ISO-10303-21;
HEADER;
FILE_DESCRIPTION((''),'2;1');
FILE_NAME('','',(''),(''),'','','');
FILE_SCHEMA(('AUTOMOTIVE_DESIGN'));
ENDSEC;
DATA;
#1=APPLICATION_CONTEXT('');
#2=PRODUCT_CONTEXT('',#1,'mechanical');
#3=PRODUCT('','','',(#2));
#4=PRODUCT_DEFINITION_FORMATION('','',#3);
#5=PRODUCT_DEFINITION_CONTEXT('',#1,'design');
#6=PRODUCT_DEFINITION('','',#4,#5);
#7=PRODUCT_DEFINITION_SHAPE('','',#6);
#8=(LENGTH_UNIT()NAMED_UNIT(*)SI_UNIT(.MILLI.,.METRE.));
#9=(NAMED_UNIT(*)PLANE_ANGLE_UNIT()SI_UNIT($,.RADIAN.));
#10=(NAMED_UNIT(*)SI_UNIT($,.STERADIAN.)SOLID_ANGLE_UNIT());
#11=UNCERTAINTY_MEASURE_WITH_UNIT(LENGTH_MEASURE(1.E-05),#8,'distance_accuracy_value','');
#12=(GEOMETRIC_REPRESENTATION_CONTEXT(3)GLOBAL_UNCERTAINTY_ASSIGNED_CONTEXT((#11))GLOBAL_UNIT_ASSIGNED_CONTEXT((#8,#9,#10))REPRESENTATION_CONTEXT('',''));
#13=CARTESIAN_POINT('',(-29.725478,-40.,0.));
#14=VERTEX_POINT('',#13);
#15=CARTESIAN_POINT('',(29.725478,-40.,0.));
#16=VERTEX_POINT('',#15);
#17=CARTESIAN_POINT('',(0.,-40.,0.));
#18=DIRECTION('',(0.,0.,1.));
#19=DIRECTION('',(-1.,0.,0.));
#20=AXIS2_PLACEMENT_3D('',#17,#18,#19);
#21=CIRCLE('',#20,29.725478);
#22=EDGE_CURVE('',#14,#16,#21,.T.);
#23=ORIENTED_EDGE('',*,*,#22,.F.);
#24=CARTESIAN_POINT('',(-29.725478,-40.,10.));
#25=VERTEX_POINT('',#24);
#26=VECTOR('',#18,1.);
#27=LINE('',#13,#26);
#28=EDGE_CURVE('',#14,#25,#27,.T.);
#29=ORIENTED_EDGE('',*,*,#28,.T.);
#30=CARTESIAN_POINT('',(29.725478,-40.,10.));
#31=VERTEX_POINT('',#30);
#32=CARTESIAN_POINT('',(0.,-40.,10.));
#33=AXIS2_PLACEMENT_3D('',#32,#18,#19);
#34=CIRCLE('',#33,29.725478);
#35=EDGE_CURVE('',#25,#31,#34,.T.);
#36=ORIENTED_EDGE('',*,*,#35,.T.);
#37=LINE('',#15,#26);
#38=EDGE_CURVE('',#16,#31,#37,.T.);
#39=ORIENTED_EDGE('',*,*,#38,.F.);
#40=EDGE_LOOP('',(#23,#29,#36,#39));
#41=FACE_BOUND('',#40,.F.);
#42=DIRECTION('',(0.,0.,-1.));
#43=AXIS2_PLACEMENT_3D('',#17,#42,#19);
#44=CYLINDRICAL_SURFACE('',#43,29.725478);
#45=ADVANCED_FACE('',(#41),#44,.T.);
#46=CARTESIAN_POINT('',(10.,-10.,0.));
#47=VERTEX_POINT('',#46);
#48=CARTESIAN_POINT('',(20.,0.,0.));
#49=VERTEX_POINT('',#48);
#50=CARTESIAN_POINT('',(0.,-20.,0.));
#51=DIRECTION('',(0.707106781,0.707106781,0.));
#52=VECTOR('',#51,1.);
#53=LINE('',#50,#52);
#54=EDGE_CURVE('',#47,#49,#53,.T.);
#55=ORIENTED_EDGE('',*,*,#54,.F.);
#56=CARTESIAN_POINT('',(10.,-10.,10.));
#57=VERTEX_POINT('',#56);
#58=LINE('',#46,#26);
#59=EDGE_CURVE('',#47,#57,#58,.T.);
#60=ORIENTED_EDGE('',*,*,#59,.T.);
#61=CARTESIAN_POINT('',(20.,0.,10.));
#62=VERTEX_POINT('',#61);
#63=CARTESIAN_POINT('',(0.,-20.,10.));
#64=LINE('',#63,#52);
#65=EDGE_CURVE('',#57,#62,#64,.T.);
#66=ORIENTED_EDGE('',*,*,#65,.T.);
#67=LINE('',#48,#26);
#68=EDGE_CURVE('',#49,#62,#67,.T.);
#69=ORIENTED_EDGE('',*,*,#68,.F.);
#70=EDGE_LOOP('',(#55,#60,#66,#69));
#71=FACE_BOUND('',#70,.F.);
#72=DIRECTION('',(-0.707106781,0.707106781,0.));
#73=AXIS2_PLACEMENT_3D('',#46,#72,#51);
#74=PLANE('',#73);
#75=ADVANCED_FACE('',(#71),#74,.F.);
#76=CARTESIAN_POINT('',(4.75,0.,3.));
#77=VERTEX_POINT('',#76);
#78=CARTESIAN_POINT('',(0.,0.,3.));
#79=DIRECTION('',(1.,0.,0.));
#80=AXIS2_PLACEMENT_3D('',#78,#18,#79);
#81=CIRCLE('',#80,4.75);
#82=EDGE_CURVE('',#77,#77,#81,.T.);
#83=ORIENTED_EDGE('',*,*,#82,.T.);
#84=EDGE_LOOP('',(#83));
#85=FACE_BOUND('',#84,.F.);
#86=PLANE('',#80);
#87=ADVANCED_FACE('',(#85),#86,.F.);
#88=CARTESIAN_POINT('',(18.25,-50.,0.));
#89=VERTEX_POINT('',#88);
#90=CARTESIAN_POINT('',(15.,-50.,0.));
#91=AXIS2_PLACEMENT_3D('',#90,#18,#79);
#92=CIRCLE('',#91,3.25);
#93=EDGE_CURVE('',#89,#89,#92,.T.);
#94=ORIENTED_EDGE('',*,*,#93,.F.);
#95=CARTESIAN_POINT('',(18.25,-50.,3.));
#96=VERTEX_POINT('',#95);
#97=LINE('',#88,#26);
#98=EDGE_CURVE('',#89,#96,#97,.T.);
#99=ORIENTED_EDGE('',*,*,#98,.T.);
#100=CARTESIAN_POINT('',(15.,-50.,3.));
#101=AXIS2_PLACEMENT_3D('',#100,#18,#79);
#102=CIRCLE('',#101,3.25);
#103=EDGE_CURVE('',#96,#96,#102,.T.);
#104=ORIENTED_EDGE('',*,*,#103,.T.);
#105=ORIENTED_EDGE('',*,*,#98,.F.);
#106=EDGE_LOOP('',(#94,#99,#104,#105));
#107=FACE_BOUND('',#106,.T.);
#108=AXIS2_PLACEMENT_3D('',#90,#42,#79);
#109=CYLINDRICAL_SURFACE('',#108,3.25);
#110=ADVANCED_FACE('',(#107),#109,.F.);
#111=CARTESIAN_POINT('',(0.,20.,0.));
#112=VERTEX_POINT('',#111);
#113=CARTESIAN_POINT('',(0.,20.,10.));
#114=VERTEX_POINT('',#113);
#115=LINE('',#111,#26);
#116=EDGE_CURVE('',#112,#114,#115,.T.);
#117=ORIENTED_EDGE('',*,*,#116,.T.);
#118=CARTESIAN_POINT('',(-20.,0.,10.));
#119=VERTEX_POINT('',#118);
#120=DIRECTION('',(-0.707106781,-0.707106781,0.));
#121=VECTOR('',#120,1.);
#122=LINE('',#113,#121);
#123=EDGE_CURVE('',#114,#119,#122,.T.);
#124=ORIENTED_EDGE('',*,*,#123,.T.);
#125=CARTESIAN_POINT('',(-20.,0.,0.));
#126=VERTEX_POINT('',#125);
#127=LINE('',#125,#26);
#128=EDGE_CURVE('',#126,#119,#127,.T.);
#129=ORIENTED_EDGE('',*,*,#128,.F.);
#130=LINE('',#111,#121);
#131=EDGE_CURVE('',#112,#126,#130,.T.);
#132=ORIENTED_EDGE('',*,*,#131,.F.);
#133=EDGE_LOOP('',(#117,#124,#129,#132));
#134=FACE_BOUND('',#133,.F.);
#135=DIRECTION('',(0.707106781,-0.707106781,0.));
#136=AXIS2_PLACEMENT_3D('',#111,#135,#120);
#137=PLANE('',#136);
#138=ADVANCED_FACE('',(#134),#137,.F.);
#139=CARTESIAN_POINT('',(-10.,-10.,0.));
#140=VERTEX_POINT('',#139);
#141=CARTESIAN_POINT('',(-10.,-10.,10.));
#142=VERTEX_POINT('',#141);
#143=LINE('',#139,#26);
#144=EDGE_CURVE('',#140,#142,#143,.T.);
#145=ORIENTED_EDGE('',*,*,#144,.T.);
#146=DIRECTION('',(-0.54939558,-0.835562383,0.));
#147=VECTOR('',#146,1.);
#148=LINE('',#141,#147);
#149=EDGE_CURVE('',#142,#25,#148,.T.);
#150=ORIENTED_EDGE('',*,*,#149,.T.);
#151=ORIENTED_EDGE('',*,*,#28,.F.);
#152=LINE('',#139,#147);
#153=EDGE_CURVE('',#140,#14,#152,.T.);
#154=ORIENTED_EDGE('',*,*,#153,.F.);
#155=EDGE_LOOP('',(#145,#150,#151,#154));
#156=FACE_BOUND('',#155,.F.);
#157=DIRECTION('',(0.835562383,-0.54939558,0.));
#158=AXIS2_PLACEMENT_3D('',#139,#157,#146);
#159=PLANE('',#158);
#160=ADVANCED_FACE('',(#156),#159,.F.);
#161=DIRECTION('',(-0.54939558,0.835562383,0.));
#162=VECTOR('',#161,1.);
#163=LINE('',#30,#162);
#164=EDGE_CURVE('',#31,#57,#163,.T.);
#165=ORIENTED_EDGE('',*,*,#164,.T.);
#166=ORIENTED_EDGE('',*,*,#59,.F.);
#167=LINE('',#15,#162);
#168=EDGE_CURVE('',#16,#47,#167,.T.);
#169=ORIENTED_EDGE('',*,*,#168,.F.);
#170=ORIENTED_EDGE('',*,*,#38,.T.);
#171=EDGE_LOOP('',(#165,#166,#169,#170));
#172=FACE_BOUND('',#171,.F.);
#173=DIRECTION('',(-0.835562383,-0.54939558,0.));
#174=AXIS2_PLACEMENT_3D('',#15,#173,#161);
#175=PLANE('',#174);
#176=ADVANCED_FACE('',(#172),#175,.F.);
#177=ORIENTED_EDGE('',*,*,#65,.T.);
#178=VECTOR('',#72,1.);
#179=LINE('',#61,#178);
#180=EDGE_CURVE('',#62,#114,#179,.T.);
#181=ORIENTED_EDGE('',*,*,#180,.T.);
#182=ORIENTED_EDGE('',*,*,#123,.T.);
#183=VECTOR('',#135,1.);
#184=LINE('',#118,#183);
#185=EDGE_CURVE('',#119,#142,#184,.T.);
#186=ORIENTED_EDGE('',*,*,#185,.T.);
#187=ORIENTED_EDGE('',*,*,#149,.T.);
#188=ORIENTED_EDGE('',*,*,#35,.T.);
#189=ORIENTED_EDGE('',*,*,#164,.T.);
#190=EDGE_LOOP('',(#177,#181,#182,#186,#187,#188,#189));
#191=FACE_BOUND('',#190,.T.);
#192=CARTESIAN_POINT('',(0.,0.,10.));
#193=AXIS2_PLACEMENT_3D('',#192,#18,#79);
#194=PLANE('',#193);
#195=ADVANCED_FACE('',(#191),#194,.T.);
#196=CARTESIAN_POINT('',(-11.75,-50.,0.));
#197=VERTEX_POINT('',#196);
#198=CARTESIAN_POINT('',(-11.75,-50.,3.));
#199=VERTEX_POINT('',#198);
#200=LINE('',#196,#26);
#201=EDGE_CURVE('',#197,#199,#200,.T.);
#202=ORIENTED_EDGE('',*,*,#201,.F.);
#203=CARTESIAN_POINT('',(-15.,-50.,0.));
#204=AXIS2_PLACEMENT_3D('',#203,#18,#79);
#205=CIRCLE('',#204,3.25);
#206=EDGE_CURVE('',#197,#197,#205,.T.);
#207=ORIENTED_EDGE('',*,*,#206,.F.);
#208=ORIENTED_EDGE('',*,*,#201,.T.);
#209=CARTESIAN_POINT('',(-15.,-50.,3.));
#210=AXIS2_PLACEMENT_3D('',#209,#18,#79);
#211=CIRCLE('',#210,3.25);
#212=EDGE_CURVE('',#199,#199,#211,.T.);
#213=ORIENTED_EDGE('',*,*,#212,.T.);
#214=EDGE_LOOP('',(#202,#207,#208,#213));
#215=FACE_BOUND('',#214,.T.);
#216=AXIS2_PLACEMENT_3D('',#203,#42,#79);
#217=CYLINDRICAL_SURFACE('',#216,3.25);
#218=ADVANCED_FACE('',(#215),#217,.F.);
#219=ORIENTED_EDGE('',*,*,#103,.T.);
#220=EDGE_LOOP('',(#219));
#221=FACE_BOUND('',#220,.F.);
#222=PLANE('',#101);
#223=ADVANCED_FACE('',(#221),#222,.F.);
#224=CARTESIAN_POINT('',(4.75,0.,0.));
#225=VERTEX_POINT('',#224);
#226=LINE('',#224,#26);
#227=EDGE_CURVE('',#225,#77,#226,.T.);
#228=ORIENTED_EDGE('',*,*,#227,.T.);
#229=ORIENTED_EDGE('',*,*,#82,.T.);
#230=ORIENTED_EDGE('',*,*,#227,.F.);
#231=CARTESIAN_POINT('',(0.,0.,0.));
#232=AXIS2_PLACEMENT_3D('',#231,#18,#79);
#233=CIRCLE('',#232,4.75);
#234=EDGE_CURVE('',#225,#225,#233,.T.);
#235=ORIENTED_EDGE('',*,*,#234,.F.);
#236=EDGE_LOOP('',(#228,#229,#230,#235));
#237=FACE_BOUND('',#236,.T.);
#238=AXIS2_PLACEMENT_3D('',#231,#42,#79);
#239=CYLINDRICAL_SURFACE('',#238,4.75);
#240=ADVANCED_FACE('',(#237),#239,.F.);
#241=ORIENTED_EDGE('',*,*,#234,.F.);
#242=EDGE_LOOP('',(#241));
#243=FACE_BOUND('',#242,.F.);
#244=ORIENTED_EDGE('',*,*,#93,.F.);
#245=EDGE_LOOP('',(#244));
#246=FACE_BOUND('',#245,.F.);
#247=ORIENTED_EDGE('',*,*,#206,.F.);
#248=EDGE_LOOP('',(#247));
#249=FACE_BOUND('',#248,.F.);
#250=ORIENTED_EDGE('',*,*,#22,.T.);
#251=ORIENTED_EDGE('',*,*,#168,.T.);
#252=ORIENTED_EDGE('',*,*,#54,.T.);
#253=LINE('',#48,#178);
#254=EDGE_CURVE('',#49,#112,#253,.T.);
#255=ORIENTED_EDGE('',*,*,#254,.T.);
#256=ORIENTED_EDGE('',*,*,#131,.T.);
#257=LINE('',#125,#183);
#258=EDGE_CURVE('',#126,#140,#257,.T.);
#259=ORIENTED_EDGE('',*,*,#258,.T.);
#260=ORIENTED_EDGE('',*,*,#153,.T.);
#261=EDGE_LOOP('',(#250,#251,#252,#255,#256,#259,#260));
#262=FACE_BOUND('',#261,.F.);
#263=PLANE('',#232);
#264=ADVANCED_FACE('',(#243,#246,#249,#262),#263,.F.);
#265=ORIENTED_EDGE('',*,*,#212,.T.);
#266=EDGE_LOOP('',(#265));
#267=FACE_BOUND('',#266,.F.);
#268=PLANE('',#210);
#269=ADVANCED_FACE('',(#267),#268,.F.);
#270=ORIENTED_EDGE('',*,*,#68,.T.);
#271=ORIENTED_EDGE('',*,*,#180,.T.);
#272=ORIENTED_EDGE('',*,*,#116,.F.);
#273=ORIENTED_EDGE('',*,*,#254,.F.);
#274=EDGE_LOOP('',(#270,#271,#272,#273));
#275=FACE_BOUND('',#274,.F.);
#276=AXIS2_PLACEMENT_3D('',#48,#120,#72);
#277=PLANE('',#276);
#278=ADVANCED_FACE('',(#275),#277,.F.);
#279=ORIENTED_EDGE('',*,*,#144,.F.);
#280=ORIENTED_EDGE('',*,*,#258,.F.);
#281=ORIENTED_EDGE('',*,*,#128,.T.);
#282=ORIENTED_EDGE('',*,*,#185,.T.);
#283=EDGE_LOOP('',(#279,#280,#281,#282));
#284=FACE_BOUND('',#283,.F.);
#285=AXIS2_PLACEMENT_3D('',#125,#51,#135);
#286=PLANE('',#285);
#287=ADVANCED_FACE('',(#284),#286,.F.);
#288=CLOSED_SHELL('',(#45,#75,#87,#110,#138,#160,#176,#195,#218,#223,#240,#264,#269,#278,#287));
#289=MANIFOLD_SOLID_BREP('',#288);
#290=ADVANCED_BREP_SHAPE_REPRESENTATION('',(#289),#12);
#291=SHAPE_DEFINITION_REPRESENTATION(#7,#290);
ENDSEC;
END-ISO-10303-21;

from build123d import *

# Parameters (mm, degrees)
F1_DEPTH = 10
F2_R     = 4.75
F2_R_2   = 3.25
F3_DEPTH = 3


with BuildPart() as f1:
    # F0 (on Top) → F1 (new body)
    with BuildSketch(Plane.XY):
        Polygon((10, -10), (20, 0), (0, 20), (-20, 0), (-10, -10), (0, -20), align=None)
        with BuildLine():
            Line((29.725478, -40), (10, -10))
            Line((10, -10), (0, -20))
            Line((0, -20), (-10, -10))
            Line((-10, -10), (-29.725478, -40))
            ThreePointArc((-29.725478, -40), (0, -69.725478), (29.725478, -40))
        make_face()
    extrude(amount=F1_DEPTH)

    # F2 (on Top) → F3 (cut)
    with BuildSketch(Plane.XY):
        Circle(F2_R)
        with Locations((15, -50)):
            Circle(F2_R_2)
        with Locations((-15, -50)):
            Circle(F2_R_2)
    extrude(amount=F3_DEPTH, mode=Mode.SUBTRACT)


solid = f1.part
